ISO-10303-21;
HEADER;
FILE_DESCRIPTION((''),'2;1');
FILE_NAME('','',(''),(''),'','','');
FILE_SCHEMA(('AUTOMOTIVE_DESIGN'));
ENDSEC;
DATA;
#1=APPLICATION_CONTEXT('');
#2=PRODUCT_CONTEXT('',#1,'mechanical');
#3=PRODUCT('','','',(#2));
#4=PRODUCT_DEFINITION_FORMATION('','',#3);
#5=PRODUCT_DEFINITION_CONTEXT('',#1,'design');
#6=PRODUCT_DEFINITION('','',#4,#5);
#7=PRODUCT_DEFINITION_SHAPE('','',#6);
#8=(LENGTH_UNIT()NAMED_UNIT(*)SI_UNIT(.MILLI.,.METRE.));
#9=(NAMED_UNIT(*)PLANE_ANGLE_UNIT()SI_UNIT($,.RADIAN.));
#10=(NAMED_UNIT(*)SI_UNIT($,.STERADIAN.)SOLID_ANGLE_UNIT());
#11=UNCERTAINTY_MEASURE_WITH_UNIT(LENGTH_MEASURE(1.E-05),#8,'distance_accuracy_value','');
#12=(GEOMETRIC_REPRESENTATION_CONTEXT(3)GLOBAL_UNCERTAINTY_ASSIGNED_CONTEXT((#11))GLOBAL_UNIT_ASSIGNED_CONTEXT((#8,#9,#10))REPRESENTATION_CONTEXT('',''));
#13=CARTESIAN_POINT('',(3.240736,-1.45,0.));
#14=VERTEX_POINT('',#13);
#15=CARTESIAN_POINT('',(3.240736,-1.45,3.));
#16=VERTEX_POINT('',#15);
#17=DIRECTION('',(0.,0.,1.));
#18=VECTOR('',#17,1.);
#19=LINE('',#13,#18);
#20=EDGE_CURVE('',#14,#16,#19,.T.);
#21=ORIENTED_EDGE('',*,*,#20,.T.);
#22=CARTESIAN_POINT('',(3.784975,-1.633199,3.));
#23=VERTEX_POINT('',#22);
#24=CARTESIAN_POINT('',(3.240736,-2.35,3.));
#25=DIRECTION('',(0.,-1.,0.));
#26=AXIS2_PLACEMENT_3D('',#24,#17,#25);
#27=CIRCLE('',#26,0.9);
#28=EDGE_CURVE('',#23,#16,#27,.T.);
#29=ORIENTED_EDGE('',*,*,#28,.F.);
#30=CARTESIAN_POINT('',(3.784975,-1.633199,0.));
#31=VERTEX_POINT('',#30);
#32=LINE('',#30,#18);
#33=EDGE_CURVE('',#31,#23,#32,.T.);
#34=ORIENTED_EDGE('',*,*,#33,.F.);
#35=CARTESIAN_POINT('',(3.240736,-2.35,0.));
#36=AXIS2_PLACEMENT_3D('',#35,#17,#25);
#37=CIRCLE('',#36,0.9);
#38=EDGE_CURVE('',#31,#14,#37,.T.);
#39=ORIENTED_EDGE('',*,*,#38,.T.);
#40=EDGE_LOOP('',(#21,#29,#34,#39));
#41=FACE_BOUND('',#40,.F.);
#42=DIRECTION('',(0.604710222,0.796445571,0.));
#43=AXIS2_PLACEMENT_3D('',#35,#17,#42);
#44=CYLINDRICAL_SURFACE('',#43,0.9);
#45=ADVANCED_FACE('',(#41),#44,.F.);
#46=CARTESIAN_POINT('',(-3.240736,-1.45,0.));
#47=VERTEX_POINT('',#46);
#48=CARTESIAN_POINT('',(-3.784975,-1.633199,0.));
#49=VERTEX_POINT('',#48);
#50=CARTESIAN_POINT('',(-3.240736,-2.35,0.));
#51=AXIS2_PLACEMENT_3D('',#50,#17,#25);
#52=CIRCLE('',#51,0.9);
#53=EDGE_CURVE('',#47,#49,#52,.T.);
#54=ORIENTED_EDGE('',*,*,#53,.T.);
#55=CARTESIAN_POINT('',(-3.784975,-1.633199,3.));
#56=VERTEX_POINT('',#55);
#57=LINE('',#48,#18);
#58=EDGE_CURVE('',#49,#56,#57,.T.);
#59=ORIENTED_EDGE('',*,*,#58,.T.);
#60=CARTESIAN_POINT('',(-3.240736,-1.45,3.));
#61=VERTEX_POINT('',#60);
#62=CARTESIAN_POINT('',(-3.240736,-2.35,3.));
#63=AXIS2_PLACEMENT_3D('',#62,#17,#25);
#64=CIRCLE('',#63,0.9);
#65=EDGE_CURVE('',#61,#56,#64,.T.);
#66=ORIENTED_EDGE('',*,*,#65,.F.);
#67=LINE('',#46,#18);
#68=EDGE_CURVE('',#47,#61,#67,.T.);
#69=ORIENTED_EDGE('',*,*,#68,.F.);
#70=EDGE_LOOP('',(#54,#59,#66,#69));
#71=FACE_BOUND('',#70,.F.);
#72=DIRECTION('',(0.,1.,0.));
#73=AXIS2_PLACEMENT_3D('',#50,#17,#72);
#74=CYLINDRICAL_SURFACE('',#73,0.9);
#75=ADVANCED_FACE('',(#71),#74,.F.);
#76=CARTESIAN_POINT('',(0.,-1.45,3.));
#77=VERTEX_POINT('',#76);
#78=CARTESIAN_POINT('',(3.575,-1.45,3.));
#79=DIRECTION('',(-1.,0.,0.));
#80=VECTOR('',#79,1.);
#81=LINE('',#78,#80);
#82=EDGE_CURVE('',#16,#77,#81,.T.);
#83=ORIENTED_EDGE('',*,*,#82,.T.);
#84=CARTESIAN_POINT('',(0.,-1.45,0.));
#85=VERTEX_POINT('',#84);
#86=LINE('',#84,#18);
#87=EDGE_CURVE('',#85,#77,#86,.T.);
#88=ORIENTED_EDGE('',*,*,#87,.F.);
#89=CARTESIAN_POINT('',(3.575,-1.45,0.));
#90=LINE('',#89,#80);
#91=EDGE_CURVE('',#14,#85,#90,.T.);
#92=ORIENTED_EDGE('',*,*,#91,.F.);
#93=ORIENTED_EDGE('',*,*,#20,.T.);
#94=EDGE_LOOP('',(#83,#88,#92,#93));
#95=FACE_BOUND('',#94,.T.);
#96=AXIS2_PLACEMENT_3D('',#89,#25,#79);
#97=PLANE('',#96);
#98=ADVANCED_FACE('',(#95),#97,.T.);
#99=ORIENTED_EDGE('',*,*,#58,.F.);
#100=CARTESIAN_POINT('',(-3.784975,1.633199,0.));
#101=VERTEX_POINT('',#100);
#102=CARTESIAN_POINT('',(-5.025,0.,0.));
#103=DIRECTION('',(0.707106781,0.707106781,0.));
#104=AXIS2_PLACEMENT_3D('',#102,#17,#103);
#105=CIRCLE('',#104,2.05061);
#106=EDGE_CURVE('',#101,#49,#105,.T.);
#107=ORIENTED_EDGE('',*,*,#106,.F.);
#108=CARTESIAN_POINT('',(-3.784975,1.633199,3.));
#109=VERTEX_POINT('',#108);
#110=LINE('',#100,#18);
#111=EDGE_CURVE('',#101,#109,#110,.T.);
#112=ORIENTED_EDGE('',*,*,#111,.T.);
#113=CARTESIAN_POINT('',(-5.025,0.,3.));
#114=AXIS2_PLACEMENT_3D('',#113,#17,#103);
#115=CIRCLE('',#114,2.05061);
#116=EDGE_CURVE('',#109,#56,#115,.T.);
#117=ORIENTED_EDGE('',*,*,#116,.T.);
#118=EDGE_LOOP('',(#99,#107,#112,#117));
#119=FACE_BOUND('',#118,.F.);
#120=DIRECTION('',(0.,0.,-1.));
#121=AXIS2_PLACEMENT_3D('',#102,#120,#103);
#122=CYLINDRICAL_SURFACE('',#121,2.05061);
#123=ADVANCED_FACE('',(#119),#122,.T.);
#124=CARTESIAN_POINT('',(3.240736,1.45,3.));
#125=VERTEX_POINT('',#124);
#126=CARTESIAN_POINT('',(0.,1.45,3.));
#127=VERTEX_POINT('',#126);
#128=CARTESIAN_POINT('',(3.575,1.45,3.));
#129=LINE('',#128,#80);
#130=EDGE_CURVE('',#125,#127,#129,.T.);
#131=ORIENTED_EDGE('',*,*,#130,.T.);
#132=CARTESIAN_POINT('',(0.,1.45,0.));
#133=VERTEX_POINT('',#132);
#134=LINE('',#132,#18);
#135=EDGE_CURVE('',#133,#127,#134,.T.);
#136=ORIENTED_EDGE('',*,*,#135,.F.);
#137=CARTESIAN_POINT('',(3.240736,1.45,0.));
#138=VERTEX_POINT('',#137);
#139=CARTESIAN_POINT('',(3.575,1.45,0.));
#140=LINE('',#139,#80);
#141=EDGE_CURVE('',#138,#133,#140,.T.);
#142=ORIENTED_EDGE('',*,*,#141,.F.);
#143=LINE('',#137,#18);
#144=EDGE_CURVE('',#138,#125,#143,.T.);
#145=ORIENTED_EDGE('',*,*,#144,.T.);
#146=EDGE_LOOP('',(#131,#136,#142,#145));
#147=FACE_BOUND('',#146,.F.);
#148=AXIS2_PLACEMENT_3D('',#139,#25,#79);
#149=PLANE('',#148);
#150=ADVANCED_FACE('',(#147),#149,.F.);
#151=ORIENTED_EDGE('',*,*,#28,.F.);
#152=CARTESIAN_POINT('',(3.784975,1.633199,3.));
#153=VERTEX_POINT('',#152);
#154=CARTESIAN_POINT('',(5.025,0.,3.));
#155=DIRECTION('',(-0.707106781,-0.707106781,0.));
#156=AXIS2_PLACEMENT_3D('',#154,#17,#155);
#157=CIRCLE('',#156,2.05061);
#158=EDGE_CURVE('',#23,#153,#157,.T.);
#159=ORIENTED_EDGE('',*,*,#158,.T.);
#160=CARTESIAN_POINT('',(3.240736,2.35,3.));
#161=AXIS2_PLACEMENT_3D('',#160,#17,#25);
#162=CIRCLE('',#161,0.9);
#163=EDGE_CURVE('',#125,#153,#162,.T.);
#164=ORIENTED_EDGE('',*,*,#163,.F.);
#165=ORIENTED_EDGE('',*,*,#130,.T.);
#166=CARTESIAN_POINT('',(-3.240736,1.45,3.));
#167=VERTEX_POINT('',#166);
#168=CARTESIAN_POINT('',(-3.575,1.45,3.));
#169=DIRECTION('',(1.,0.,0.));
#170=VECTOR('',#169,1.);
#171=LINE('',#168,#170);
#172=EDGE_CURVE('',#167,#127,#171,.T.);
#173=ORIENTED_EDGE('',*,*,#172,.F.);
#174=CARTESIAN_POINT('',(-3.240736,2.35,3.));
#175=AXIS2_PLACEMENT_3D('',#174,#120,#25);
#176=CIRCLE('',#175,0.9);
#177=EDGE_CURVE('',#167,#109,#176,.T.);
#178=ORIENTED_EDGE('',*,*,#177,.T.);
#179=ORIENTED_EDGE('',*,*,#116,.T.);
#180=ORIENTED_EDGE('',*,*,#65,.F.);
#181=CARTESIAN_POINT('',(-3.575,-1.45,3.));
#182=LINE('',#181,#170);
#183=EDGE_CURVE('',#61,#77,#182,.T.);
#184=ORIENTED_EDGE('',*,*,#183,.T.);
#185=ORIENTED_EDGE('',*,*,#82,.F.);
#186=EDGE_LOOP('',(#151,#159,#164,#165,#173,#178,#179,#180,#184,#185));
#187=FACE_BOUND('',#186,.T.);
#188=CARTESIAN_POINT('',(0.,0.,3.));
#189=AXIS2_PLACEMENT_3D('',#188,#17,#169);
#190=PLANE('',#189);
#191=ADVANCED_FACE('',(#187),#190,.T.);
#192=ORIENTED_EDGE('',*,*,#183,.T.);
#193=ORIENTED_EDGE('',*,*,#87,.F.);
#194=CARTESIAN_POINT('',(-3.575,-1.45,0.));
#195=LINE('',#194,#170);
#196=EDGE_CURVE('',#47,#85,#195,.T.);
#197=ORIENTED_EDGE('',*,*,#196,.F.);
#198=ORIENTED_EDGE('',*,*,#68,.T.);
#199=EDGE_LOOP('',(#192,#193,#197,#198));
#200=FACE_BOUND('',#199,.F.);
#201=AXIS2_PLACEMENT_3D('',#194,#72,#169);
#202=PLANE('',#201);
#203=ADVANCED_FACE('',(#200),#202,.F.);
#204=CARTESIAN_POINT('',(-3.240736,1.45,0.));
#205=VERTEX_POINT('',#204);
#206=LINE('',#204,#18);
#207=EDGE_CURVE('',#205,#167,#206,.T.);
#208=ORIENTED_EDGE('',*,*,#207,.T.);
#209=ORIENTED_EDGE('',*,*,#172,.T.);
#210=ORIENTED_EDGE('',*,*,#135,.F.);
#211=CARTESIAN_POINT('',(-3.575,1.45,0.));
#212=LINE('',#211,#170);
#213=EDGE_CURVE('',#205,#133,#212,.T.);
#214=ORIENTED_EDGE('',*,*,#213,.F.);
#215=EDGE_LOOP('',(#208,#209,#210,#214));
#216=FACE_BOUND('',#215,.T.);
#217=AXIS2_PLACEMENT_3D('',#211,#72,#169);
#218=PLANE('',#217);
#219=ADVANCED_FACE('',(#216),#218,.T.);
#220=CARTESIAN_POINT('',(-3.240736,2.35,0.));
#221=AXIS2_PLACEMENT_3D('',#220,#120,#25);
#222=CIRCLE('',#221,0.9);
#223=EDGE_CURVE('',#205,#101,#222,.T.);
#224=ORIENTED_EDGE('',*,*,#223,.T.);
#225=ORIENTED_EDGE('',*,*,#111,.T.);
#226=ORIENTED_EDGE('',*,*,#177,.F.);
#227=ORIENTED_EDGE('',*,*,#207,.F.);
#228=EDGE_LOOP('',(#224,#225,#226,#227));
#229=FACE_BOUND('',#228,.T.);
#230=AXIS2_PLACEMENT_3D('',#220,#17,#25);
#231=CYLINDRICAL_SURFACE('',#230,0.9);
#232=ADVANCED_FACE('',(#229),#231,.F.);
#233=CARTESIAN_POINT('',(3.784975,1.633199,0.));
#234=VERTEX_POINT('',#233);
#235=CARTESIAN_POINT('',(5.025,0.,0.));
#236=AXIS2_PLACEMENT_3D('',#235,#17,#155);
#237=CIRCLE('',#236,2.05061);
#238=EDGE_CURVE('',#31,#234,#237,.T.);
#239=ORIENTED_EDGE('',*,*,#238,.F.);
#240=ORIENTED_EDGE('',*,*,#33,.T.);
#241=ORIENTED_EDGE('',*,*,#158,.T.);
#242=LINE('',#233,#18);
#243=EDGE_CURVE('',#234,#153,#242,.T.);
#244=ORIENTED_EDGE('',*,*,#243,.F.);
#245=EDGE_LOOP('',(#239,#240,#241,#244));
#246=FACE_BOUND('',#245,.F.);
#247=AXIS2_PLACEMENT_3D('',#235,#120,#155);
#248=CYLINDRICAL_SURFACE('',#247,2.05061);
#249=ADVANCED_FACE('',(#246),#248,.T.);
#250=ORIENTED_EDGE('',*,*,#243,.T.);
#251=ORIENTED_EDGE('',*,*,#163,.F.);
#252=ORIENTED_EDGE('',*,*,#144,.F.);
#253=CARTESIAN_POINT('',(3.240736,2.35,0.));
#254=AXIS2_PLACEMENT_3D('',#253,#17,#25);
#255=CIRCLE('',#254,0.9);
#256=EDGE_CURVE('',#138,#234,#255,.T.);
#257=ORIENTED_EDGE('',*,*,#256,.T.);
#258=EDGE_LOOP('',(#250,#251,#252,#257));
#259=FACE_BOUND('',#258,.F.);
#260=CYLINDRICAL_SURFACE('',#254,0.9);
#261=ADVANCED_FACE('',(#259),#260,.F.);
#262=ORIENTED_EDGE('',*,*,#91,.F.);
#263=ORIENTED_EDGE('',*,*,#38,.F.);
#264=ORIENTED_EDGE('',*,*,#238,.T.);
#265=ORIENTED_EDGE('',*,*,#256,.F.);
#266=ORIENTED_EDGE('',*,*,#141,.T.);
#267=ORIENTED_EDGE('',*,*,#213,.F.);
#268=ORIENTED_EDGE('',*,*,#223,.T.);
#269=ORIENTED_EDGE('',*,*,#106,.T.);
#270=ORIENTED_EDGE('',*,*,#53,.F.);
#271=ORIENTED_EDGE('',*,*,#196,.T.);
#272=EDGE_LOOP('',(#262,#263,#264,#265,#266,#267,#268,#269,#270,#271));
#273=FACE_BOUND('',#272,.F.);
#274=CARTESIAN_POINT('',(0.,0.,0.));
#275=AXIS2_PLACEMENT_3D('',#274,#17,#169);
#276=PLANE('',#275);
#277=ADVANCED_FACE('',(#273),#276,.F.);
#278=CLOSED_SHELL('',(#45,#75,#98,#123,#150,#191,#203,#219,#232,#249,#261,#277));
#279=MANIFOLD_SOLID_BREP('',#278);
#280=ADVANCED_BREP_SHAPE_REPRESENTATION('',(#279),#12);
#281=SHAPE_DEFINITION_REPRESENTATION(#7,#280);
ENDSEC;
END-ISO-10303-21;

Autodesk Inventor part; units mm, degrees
ref_plane "Plan YZ" through (0, 0, 0) normal (1, 0, 0) x (0, 1, 0)
ref_plane "Plan XZ" through (0, 0, 0) normal (0, 1, 0) x (-1, 0, 0)
ref_plane "Plan XY" through (0, 0, 0) normal (0, 0, 1) x (1, 0, 0)
sketch "Esquisse1" plane through (0, 0, 0) normal (0, 0, 1) x (1, 0, 0)
  arc A0 (-3.575, 1.45) -> (-3.575, -1.45) centre (-5.025, 0) ccw
  line L0 (-5.025, 0) -> (-3.575, -1.45) construction
  line L1 (-5.025, 0) -> (-2.9744, 0) construction
  line L2 (-5.025, 0) -> (-3.575, 1.45) construction
  line L3 (-3.575, 1.45) -> (0, 1.45)
  line L4 (-3.575, -1.45) -> (0, -1.45)
  line L5 (0, -2.8709) -> (0, 2.8709) construction
  arc A1 (3.575, -1.45) -> (3.575, 1.45) centre (5.025, 0) ccw
  line L6 (3.575, 1.45) -> (0, 1.45)
  line L7 (3.575, -1.45) -> (0, -1.45)
  line L8 (-9.9059, 0) -> (9.9059, 0) construction
  point P0 (0, 0)
  dimension "d0" = 45
  dimension "d1" = 90
  dimension "d2" = 2.9
  dimension "d3" = 5.025
extrude "Extrusion1" add sketch "Esquisse1" along normal blind 3
fillet "Congé1" radius 0.9 4 edges at (-3.575, -1.45, 1.5) (3.575, -1.45, 1.5) (3.575, 1.45, 1.5) (-3.575, 1.45, 1.5)
properties part number "T2601_Conn" material "."
